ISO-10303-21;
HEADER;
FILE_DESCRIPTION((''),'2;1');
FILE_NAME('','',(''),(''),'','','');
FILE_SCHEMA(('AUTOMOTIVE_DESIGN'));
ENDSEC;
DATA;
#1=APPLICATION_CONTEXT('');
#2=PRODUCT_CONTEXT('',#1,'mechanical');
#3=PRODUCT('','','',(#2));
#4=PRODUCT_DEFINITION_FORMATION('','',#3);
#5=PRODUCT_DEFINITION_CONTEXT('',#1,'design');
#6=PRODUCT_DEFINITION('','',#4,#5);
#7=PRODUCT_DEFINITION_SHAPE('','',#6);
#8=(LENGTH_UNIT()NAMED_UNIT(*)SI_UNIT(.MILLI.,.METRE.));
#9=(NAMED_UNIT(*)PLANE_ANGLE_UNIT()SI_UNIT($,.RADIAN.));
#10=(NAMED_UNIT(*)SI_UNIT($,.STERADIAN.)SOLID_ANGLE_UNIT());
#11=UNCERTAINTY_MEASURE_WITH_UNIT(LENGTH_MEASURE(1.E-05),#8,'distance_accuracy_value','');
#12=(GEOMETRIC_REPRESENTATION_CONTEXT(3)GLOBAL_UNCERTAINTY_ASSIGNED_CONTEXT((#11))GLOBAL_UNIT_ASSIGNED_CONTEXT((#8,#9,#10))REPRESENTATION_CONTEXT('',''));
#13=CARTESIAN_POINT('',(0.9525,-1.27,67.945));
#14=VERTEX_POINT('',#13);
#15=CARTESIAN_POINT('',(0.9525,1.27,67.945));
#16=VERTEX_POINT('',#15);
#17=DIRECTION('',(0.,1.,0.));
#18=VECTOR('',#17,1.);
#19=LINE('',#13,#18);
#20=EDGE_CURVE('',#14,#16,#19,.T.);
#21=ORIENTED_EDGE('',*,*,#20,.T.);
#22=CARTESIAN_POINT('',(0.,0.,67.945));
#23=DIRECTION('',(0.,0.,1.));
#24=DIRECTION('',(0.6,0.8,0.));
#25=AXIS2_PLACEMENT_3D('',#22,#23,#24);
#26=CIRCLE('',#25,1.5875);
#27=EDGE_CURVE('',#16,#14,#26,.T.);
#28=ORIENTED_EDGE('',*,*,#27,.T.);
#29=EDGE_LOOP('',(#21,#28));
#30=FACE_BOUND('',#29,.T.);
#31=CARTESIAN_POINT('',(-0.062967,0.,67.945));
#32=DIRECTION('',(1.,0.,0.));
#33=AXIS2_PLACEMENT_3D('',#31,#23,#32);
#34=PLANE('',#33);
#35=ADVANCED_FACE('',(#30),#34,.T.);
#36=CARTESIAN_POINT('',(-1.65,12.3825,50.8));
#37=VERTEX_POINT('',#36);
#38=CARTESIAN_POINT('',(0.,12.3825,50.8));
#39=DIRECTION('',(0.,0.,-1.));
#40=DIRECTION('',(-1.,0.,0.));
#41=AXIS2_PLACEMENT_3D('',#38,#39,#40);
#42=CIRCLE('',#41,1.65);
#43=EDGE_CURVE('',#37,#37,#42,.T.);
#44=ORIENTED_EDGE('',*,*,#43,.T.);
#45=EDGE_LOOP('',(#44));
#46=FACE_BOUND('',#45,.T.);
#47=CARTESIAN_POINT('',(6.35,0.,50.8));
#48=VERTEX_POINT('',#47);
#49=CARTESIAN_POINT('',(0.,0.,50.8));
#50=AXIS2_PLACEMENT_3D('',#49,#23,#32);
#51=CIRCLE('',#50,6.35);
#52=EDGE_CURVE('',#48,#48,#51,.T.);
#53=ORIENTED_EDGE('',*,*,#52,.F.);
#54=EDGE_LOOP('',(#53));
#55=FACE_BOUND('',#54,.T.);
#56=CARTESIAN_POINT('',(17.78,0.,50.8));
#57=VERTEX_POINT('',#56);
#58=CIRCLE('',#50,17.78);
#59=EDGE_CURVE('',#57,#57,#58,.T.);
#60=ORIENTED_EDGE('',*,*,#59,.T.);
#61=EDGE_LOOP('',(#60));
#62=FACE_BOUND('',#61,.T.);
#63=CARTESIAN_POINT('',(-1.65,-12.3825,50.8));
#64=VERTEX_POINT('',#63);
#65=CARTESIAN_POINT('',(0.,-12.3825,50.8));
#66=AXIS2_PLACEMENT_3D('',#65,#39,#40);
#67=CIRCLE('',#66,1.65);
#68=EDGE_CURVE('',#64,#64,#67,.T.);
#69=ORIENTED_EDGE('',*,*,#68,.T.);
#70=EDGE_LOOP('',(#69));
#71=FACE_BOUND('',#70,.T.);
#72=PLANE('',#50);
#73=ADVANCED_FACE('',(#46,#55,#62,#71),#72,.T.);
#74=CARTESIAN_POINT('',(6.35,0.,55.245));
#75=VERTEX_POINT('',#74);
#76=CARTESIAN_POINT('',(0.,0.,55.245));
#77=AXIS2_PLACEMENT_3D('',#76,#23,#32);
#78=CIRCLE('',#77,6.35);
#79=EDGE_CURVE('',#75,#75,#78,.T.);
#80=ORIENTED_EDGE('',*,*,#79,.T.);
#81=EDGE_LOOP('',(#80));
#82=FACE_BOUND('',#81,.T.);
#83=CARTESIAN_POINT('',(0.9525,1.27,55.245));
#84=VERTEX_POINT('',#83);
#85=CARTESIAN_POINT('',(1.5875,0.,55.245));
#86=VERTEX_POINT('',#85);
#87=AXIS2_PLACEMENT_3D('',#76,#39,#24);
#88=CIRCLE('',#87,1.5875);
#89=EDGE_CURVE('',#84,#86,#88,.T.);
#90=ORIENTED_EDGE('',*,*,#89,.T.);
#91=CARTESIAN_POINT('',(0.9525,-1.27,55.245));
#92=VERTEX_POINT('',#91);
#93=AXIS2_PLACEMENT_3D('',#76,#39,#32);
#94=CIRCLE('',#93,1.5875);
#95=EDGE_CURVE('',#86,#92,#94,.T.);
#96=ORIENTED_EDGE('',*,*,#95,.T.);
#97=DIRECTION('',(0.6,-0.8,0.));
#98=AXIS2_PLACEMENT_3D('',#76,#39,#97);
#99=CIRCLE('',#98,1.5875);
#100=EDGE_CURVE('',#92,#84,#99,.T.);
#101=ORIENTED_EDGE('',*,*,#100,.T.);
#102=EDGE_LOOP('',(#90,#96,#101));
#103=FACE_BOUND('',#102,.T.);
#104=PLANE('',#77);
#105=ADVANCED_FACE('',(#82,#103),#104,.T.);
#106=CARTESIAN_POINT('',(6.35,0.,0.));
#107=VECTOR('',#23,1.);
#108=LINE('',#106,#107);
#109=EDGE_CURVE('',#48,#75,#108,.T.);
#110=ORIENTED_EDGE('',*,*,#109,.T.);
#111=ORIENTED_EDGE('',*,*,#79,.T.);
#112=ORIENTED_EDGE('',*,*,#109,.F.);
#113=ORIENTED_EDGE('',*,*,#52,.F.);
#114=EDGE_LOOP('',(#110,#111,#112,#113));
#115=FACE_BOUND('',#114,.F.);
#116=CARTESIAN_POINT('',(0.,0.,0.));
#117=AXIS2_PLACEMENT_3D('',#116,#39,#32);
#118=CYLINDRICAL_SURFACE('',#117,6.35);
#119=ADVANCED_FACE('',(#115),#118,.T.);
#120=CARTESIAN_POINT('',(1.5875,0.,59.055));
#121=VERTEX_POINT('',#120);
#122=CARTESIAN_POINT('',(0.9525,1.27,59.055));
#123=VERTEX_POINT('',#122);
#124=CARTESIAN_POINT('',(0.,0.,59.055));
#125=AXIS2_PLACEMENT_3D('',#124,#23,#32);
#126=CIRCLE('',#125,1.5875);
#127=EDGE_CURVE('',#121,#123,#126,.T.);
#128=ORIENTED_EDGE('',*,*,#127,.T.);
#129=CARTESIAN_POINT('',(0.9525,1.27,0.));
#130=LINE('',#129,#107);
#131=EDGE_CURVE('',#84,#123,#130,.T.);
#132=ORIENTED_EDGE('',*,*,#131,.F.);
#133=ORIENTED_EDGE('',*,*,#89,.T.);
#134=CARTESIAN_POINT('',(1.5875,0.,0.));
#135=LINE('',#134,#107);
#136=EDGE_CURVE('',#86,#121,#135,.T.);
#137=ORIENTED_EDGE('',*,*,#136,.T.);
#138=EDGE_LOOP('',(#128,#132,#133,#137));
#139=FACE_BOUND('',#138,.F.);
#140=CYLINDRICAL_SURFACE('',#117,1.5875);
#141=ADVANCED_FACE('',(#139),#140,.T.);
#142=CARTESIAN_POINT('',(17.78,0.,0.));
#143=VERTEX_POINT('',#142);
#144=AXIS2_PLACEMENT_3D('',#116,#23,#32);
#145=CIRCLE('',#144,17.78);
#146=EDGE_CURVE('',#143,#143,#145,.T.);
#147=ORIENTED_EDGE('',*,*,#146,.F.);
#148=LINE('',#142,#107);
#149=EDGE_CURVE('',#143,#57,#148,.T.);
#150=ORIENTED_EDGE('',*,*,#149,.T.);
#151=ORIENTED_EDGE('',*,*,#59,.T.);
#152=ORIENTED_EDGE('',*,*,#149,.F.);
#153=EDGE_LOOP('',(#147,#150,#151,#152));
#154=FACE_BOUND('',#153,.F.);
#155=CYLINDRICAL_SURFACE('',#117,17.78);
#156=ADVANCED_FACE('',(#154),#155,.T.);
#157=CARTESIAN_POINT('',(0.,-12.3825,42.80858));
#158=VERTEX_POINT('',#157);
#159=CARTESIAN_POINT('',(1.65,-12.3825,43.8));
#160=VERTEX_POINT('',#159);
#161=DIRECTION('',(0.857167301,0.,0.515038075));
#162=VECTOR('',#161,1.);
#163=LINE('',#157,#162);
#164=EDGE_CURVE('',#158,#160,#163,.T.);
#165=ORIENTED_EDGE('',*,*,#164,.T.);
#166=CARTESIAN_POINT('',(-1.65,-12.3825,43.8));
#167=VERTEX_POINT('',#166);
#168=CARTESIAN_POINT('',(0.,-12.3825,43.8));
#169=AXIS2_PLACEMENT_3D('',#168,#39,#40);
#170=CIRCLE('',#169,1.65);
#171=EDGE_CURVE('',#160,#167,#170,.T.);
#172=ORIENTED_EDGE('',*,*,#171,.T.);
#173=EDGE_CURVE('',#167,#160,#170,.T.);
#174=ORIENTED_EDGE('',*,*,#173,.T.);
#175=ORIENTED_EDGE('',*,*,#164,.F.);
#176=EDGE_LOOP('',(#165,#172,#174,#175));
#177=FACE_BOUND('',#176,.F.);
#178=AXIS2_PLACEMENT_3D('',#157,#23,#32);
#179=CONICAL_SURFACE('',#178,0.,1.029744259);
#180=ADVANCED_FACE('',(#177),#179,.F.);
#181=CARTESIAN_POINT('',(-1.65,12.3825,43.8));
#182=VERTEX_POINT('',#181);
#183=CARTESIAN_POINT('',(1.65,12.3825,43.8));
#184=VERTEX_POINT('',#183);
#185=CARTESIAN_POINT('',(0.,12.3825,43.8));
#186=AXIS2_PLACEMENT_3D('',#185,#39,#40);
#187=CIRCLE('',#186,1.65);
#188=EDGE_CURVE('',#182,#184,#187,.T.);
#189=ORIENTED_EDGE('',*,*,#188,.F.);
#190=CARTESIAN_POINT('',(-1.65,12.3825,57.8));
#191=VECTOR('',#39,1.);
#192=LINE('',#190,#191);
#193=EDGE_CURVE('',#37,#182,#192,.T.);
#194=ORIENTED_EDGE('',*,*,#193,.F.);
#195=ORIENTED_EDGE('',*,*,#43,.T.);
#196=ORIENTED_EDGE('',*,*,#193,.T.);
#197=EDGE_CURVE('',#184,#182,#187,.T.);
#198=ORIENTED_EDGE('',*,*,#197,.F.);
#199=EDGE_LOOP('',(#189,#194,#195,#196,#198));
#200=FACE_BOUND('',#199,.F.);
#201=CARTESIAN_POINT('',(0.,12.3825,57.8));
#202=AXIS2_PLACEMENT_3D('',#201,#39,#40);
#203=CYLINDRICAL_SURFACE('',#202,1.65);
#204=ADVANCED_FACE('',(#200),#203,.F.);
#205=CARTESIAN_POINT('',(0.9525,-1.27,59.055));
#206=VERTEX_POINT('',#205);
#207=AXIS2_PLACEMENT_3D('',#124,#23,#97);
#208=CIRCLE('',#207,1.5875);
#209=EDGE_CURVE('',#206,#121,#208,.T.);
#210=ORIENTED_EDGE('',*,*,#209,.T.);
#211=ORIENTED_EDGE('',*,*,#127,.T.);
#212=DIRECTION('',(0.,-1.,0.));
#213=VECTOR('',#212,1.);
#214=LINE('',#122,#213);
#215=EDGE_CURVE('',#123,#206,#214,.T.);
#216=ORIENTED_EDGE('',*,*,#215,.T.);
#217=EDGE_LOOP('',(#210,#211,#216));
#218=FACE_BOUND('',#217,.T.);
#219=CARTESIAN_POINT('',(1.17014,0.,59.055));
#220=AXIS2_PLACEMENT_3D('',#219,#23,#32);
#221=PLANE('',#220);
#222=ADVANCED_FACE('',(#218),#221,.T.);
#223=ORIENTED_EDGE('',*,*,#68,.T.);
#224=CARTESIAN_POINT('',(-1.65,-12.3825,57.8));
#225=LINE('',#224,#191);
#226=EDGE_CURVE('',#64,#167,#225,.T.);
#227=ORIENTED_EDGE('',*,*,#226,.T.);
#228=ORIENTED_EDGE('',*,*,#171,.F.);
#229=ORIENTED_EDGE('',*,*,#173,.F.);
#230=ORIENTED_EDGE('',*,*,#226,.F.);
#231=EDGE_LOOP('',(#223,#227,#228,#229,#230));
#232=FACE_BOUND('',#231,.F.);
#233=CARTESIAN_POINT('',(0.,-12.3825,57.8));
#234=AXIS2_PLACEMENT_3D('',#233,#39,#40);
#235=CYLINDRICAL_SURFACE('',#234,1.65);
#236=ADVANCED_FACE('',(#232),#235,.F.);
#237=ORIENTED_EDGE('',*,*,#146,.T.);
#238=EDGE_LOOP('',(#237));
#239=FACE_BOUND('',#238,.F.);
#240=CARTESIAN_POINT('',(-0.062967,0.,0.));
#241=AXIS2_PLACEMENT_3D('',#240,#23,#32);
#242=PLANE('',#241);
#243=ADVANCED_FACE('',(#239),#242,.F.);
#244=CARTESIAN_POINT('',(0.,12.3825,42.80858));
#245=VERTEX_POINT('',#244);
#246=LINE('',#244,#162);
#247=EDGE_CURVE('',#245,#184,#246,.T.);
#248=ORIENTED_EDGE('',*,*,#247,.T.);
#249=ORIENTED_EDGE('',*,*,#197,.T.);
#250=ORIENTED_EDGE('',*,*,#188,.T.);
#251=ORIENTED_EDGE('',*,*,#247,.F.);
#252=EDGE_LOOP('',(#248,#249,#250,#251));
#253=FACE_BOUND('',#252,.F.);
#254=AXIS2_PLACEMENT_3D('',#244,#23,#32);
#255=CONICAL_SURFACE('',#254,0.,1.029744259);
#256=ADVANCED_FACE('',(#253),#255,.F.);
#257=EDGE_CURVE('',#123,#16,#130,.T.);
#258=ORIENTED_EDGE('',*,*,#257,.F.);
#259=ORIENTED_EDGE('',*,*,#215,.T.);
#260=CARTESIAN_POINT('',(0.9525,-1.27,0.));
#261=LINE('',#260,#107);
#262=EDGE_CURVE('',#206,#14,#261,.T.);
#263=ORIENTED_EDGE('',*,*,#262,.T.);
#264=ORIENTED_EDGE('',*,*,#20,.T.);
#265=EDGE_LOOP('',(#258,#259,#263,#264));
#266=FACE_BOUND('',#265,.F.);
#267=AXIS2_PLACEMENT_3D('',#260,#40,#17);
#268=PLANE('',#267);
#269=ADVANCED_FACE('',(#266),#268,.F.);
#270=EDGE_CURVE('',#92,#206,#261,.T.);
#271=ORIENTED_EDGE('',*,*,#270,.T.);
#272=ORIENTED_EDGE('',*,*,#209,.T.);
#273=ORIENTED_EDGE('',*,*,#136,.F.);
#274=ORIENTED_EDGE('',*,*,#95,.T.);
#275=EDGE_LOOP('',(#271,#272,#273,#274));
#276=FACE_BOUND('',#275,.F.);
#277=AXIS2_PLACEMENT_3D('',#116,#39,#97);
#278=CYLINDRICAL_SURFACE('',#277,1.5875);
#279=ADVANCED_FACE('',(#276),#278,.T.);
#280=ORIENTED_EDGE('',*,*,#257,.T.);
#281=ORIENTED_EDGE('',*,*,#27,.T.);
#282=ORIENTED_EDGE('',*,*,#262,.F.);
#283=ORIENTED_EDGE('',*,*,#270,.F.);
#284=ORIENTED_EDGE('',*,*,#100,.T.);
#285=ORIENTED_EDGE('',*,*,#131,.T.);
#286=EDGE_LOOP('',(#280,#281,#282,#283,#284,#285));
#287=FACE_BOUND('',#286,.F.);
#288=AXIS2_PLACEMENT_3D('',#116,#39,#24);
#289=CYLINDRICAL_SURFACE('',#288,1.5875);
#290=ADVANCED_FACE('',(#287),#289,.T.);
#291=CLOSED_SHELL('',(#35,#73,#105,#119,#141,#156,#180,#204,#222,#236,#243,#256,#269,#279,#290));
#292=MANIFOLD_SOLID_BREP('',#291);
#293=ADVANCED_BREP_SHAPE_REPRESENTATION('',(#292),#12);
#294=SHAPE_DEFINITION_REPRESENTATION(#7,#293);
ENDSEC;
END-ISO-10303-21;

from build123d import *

# Parameters (mm, degrees)
F0_R     = 17.78
F0_R_2   = 6.35
F1_DEPTH = 50.8
F2_DEPTH = 55.245
F3_DEPTH = 67.945
F4_DEPTH = 59.055
F6_D     = 3.3
F6_DEPTH = 7
F6_TIP   = 0.9914200214


with BuildPart() as f1:
    # F0 (on Top) → F1 (new body)
    with BuildSketch(Plane.XY):
        Circle(F0_R)
        Circle(F0_R_2, mode=Mode.SUBTRACT)
    extrude(amount=F1_DEPTH)

    # F0 (on Top) → F2 (join)
    with BuildSketch(Plane.XY):
        Circle(F0_R_2)
        with BuildLine():
            ThreePointArc((0.9525, 1.27), (1.4199031657, 0.7099515829), (1.5875, 0))
            ThreePointArc((1.5875, 0), (1.4199031657, -0.7099515829), (0.9525, -1.27))
            ThreePointArc((0.9525, -1.27), (-1.5875, 0), (0.9525, 1.27))
        make_face(mode=Mode.SUBTRACT)
    extrude(amount=F2_DEPTH)

    # F0 (on Top) → F3 (join)
    with BuildSketch(Plane.XY):
        with BuildLine():
            Line((0.9525, -1.27), (0.9525, 1.27))
            ThreePointArc((0.9525, 1.27), (-1.5875, 0), (0.9525, -1.27))
        make_face()
    extrude(amount=F3_DEPTH)

    # F0 (on Top) → F4 (join)
    with BuildSketch(Plane.XY):
        with BuildLine():
            ThreePointArc((0.9525, -1.27), (1.4199031657, -0.7099515829), (1.5875, 0))
            ThreePointArc((1.5875, 0), (1.4199031657, 0.7099515829), (0.9525, 1.27))
            Line((0.9525, 1.27), (0.9525, -1.27))
        make_face()
    extrude(amount=F4_DEPTH)

    # F6
    with Locations(Plane.XY.offset(50.8)):
        with Locations((0, 12.3825), (0, -12.3825)):
            Hole(F6_D / 2, depth=F6_DEPTH)
            with Locations((0, 0, -(F6_DEPTH + F6_TIP / 2))):  # 118° drill point
                Cone(0, F6_D / 2, F6_TIP, mode=Mode.SUBTRACT)


solid = f1.part
